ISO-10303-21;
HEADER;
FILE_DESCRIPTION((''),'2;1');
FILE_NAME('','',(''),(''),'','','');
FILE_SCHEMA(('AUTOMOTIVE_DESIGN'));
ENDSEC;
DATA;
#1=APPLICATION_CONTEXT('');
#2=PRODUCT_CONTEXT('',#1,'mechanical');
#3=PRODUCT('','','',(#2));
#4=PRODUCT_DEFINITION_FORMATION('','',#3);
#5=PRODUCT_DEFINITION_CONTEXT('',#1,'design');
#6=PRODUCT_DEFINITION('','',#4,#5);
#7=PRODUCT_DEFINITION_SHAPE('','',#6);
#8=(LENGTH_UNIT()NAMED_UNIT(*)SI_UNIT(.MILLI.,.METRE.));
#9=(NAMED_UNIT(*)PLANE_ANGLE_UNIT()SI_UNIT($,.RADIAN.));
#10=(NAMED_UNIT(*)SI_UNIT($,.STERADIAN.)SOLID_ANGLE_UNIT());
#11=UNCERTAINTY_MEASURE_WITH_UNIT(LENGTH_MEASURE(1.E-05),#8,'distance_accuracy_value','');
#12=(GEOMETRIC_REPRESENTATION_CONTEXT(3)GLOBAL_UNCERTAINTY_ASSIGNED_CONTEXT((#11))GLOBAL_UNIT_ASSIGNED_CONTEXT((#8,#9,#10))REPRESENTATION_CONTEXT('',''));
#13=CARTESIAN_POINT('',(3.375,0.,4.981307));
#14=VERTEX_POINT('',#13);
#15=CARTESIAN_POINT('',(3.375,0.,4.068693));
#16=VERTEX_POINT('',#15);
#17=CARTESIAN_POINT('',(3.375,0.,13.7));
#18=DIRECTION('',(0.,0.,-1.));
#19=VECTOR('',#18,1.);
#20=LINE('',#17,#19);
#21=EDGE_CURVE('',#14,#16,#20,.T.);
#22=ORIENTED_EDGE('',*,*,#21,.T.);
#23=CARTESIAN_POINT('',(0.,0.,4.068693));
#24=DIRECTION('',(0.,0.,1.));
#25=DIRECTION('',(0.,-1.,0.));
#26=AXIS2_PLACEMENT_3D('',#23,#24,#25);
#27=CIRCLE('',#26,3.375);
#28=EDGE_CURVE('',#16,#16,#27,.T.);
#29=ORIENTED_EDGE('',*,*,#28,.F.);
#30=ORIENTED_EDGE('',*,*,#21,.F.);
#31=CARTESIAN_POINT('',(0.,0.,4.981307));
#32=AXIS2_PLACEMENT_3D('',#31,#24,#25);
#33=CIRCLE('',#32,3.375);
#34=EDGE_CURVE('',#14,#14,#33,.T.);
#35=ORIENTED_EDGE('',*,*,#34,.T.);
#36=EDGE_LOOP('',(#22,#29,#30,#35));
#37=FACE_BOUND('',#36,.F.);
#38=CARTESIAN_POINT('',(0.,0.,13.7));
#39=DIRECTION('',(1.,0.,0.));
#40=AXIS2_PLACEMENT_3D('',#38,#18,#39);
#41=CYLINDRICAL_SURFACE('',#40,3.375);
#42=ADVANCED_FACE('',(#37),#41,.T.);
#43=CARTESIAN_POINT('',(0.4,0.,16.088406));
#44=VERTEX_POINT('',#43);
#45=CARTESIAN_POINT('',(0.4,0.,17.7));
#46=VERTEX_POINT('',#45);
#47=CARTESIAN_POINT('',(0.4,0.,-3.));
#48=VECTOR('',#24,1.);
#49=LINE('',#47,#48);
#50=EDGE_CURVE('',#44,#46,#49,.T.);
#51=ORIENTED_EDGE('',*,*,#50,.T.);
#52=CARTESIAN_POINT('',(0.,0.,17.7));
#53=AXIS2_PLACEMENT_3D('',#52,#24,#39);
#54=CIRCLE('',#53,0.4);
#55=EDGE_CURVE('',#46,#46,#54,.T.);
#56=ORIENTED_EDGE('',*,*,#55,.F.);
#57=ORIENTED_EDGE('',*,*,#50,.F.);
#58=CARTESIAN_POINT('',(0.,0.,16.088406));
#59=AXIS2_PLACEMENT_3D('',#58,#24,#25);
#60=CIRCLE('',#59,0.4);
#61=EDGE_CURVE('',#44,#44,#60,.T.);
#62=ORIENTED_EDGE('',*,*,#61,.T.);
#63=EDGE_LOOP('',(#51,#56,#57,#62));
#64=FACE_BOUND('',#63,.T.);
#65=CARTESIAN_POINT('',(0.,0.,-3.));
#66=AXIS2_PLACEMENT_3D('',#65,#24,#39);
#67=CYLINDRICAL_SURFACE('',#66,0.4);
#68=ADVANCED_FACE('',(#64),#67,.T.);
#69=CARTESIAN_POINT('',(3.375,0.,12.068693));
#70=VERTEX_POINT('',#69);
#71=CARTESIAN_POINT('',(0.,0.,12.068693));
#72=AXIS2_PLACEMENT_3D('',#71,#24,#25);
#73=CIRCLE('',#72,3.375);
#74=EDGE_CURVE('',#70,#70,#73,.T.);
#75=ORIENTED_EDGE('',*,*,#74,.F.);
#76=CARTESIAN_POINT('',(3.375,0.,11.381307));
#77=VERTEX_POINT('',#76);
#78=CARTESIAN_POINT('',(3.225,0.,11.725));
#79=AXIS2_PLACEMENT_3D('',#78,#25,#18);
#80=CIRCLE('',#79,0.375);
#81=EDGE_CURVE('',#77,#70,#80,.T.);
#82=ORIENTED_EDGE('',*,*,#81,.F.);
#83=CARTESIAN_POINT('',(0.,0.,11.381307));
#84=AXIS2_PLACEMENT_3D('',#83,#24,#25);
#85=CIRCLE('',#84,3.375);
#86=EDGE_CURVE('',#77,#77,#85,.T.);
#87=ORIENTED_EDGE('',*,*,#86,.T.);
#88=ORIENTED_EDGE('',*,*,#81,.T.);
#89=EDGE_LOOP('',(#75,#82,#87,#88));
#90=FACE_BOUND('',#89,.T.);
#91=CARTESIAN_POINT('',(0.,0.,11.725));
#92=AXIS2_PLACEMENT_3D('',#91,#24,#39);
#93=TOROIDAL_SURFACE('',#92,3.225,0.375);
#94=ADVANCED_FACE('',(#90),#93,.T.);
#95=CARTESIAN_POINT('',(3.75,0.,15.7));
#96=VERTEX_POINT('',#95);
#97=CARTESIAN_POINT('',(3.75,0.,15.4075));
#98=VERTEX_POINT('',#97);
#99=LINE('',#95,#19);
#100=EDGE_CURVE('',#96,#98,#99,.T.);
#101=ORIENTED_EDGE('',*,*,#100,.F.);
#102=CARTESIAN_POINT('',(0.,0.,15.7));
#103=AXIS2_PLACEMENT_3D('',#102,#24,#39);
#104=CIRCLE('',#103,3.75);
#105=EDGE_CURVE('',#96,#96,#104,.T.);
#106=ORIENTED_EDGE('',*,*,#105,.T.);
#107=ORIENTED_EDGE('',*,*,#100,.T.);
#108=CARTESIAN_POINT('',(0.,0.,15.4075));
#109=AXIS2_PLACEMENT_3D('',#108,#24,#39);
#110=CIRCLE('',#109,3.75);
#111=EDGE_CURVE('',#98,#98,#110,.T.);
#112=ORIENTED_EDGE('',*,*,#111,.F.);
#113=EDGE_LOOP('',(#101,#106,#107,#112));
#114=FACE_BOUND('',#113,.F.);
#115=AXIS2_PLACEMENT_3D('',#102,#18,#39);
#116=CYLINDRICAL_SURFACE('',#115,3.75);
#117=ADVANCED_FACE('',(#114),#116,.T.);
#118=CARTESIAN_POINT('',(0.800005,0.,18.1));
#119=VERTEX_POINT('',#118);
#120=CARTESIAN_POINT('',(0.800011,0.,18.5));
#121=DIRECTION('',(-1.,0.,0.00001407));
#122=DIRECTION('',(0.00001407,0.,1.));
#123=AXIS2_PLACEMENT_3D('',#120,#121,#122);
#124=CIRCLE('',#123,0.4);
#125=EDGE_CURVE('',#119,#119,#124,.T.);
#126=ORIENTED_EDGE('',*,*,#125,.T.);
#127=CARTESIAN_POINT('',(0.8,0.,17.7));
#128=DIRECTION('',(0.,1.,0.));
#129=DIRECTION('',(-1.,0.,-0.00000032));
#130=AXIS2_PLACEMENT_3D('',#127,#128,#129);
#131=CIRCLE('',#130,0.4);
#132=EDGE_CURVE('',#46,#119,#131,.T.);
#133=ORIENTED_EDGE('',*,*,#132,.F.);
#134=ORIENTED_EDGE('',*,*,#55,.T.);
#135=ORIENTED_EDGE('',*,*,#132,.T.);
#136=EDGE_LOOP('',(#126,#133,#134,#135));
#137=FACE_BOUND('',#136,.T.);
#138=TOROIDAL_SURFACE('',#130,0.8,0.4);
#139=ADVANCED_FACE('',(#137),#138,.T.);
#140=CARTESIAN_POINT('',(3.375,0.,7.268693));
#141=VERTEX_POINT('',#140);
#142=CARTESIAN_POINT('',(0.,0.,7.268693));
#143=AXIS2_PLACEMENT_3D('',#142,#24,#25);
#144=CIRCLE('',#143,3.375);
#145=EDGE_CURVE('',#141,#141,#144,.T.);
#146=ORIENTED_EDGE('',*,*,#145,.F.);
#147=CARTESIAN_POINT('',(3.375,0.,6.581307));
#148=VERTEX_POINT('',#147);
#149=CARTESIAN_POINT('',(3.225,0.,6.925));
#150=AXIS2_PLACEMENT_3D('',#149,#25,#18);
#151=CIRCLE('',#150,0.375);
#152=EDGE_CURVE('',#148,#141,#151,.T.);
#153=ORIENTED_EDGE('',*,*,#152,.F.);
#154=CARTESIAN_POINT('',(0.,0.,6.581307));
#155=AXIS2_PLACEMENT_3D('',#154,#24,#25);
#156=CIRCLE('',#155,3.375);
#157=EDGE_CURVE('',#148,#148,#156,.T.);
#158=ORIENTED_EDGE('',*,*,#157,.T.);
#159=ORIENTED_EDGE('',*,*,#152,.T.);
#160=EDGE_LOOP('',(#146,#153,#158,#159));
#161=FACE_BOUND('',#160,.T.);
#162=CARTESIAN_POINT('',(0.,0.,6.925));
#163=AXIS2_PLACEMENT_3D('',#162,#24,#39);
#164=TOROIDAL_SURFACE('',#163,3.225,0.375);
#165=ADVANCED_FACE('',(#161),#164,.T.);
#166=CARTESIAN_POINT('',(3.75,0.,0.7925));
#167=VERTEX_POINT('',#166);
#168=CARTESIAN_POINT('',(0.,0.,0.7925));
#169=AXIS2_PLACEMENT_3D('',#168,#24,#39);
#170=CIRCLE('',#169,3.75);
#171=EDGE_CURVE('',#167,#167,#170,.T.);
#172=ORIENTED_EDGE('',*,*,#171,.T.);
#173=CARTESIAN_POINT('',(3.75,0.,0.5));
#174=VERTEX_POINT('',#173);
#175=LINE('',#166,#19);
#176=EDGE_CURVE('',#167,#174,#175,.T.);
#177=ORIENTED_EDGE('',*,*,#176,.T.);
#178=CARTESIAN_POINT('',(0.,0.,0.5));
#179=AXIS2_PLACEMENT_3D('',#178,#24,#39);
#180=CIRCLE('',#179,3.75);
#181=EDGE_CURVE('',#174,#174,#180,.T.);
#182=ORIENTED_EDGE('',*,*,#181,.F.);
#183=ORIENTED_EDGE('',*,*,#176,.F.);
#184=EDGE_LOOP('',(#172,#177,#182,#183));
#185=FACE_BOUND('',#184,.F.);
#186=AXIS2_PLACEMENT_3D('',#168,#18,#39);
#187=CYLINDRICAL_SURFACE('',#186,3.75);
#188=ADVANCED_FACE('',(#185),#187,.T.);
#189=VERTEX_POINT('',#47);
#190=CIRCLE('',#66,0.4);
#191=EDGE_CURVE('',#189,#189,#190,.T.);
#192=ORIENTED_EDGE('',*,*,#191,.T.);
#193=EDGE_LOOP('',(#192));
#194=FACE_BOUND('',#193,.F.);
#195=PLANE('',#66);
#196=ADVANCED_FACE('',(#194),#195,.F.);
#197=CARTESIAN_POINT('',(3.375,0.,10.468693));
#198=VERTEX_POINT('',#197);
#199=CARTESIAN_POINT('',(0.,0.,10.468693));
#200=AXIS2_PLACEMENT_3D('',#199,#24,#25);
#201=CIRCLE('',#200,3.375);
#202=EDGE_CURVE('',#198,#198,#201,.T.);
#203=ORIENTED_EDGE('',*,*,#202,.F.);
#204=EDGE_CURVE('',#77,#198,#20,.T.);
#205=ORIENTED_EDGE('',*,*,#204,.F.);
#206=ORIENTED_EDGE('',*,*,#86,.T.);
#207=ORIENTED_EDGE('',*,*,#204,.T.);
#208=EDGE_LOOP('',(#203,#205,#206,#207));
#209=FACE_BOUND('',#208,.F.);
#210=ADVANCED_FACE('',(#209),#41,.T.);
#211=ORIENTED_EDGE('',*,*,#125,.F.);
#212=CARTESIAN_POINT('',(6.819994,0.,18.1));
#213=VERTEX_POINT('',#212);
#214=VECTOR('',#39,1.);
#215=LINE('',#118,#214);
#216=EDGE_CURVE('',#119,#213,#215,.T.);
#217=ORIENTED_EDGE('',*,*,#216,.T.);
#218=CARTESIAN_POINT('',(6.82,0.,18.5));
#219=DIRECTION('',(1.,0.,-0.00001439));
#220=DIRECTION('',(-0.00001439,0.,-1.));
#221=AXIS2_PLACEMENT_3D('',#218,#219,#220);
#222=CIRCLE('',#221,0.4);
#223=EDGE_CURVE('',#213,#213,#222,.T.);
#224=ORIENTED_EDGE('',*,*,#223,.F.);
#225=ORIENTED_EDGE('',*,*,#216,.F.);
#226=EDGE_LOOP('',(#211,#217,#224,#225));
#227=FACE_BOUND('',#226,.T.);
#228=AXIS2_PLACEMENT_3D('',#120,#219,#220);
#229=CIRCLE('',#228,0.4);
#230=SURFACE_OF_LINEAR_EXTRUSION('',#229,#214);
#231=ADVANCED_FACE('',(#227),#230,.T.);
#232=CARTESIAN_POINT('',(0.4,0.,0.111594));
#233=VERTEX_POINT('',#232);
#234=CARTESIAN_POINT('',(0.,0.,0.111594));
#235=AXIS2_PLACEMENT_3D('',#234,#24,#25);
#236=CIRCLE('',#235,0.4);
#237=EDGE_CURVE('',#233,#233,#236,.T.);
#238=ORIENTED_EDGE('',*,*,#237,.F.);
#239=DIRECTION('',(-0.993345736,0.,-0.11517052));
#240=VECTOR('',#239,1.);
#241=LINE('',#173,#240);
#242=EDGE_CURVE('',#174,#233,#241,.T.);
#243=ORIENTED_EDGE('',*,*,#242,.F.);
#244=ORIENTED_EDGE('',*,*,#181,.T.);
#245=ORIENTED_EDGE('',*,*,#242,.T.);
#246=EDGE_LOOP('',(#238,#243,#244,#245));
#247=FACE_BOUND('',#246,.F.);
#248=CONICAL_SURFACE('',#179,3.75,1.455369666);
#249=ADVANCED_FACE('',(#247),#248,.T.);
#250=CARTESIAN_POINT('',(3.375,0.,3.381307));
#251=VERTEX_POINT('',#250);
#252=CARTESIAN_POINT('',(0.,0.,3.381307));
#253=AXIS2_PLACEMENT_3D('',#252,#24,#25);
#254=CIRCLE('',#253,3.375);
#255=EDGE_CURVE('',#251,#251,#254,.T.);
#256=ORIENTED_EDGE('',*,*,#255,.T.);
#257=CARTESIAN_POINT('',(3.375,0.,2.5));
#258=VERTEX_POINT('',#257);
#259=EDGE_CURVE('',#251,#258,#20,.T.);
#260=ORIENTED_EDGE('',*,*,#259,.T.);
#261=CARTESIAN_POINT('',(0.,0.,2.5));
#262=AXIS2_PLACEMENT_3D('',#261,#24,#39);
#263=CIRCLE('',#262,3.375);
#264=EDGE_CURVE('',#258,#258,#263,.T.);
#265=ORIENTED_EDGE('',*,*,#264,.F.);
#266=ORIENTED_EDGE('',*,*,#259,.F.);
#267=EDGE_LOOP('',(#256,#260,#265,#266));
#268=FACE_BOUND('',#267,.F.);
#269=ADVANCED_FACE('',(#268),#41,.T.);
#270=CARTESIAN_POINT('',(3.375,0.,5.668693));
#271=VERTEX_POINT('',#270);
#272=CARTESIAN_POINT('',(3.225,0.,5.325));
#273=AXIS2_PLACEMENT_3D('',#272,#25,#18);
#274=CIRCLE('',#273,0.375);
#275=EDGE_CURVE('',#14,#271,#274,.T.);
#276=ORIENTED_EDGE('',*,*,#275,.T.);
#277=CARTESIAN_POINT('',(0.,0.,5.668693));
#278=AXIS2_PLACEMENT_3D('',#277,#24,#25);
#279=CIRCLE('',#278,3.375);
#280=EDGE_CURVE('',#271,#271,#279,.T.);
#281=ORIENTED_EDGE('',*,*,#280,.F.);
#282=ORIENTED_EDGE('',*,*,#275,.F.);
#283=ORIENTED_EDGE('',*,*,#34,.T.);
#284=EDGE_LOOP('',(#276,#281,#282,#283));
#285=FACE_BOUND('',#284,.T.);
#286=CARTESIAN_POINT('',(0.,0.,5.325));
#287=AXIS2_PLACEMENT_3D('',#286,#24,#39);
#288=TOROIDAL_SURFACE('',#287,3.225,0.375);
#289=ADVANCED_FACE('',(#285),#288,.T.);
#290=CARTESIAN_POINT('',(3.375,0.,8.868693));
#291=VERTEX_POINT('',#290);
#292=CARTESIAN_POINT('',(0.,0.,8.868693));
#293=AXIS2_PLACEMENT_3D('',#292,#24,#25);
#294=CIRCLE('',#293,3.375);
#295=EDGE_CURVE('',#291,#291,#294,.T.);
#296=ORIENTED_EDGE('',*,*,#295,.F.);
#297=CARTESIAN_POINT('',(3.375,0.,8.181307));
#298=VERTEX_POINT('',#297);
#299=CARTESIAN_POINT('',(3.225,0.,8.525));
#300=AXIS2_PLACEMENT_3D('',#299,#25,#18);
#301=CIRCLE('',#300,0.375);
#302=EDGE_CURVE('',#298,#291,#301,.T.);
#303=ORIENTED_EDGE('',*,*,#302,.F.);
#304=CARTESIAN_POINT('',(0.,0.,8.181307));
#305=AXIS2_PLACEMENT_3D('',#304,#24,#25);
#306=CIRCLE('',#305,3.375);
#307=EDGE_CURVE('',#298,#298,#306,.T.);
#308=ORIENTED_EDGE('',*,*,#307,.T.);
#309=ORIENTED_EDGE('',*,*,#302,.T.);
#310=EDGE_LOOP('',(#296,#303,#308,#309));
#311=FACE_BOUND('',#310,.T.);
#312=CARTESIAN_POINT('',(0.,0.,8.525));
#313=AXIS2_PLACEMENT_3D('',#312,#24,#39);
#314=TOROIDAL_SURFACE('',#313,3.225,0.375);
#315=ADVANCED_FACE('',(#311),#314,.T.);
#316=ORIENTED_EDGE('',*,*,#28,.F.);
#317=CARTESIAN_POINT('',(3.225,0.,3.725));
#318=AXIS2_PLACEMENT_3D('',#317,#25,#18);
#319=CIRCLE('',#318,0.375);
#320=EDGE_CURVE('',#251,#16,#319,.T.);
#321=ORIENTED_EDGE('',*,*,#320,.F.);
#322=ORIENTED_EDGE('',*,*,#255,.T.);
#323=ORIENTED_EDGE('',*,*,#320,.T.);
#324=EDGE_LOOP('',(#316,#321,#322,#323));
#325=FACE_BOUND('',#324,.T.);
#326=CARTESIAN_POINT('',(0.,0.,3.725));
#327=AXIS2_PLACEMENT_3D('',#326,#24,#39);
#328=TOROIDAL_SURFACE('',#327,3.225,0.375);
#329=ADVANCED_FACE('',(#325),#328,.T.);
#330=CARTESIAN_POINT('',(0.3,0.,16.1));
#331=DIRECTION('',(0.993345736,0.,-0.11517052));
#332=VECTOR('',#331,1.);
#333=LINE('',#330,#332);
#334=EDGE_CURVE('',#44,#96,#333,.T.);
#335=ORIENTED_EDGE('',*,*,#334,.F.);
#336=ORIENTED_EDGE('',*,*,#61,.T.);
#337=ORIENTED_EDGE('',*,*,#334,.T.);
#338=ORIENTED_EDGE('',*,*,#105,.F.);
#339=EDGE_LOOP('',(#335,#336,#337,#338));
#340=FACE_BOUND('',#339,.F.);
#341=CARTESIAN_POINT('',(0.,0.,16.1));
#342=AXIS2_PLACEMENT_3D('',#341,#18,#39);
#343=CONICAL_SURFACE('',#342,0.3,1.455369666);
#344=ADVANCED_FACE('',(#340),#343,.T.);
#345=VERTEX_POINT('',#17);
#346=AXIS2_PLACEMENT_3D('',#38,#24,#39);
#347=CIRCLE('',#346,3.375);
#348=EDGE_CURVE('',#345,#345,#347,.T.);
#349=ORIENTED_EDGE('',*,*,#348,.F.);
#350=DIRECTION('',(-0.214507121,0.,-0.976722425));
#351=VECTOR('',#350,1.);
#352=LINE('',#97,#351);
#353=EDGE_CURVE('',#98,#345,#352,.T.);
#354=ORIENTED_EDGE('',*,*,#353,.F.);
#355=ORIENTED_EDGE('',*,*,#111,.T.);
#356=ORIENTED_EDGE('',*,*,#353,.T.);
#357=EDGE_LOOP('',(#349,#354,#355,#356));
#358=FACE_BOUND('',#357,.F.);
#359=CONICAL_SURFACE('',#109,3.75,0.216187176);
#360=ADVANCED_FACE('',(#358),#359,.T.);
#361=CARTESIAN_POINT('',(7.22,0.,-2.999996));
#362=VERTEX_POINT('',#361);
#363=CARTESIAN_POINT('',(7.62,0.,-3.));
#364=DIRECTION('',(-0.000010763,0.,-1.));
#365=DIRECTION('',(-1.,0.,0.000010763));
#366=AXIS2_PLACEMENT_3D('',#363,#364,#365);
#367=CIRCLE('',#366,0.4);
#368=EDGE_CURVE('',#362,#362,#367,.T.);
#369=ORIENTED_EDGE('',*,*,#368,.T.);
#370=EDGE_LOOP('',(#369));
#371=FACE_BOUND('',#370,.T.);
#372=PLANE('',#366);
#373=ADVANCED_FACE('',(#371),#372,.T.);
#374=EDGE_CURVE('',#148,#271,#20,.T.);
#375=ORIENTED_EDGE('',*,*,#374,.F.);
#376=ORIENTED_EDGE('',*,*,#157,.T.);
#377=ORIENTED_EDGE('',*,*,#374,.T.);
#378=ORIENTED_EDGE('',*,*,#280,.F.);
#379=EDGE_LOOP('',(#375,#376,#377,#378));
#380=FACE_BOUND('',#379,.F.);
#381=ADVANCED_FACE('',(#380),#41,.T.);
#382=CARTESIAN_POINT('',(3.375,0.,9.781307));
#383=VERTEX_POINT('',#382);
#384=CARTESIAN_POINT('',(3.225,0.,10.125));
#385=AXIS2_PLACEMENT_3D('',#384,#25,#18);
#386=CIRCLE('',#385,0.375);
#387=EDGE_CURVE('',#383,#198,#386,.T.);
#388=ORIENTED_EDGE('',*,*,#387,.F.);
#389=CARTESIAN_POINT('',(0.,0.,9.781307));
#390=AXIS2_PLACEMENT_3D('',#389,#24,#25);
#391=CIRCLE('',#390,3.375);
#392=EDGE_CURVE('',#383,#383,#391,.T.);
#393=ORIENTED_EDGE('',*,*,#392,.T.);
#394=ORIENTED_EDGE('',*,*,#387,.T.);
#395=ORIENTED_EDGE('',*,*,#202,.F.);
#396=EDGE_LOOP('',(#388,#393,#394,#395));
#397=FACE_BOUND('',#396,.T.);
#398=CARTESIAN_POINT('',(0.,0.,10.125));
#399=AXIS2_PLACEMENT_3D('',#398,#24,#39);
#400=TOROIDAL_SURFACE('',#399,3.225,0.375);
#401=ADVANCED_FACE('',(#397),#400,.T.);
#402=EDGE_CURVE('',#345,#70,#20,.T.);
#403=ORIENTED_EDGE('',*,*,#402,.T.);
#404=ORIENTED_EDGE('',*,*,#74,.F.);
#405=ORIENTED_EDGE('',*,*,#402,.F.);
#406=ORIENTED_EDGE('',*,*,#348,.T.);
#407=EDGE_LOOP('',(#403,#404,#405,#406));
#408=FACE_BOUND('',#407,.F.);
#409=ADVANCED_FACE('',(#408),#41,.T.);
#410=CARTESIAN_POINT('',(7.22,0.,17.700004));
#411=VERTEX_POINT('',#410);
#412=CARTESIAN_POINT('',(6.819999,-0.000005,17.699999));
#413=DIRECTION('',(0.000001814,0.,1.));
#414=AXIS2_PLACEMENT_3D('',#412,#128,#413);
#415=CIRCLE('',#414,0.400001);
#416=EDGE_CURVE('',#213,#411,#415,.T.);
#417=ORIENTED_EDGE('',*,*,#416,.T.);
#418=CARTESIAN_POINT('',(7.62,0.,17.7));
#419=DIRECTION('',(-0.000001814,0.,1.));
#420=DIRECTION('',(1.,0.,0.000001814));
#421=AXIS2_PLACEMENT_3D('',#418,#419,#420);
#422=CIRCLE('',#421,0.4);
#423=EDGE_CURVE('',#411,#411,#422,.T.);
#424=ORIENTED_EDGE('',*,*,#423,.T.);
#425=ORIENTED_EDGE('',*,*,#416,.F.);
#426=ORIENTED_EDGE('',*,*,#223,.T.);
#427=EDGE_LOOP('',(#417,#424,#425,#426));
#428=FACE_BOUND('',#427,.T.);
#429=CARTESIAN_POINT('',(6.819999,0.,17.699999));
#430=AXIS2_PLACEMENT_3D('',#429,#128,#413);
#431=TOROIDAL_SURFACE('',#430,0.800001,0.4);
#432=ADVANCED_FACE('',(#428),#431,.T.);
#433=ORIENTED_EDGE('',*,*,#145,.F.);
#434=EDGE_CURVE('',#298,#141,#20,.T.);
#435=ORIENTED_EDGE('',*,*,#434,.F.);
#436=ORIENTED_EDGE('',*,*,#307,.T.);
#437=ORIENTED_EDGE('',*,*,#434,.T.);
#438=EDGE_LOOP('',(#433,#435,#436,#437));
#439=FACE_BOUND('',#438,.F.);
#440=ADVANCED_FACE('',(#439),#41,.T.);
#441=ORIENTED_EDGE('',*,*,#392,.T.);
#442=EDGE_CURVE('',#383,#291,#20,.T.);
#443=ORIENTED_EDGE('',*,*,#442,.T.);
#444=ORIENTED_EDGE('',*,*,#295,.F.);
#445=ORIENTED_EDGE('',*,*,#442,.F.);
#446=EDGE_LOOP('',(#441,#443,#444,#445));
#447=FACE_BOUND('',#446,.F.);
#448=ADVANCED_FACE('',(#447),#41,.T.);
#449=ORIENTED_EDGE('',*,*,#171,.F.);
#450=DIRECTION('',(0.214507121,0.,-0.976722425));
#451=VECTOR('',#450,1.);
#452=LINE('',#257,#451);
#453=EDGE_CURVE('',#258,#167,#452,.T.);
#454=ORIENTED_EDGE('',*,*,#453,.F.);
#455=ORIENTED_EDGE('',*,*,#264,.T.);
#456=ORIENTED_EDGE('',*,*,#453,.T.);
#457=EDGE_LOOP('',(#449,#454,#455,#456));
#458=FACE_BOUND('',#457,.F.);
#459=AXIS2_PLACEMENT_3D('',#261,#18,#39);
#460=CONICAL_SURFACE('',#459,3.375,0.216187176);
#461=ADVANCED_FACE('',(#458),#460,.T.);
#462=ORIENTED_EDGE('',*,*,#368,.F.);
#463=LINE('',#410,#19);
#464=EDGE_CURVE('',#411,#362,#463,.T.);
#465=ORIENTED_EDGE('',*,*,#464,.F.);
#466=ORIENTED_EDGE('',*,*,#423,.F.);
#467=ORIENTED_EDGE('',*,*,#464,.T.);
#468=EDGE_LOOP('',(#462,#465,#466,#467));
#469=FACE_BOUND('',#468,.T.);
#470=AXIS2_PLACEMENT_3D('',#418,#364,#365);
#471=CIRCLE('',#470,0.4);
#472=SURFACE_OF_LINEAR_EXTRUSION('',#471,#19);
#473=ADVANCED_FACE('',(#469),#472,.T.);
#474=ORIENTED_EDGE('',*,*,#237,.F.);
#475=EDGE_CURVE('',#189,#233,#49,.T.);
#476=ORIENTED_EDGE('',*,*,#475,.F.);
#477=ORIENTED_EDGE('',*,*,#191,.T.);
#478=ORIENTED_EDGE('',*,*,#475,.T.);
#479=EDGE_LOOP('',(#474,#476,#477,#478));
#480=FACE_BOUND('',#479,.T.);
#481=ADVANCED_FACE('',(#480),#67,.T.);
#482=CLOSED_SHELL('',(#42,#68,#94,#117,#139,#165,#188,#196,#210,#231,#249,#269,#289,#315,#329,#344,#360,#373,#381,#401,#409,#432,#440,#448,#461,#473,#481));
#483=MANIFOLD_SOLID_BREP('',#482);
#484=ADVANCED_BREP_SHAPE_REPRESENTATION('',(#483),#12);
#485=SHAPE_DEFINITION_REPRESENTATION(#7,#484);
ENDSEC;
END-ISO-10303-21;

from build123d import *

# Parameters (mm, degrees)
SKETCH_R = 0.4


with BuildPart() as revolution:
    # Sketch002 → Revolution (revolve)
    with BuildSketch(Plane.XZ):
        Polygon((0, 0.1), (0, 16.1), (0.3, 16.1), (3.75, 15.7), (3.75, 15.4075), (3.375, 13.7), (3.375, 2.5), (3.75, 0.7925), (3.75, 0.5), (0.3, 0.1), align=None)
    revolve(axis=Axis((0, 0, 0), (0, 0, 1)))


with BuildPart() as sweep_body:
    # Sweep: sweep along a path in Sketch001
    with BuildLine(Plane.XZ) as sweep_path:
        Line((0, -3), (0, 17.7))
        ThreePointArc((0, 17.7), (0.234318, 18.265689), (0.800011, 18.5))
        Line((0.800011, 18.5), (6.82, 18.5))
        ThreePointArc((6.82, 18.5), (7.385685, 18.265685), (7.62, 17.7))
        Line((7.62, 17.7), (7.62, -3))
    # Sketch → Sweep (sweep)
    with BuildSketch(Plane.XY.offset(-2)):
        Circle(SKETCH_R)
    sweep(path=sweep_path.line)


with BuildPart() as revolution001_mp_cp:
    # Sketch003 → Revolution001 (revolve)
    with BuildSketch(Plane.XZ):
        with BuildLine():
            Line((3, 12.95), (3, 2.5))
            Line((3, 2.5), (3.225, 2.5))
            Line((3.225, 2.5), (3.225, 3.35))
            ThreePointArc((3.225, 3.35), (3.6, 3.725), (3.225, 4.1))
            Line((3.225, 4.1), (3.225, 4.95))
            ThreePointArc((3.225, 4.95), (3.6, 5.325), (3.225, 5.7))
            Line((3.225, 5.7), (3.225, 6.55))
            ThreePointArc((3.225, 6.55), (3.6, 6.925), (3.225, 7.3))
            Line((3.225, 7.3), (3.225, 8.15))
            ThreePointArc((3.225, 8.15), (3.6, 8.525), (3.225, 8.9))
            Line((3.225, 8.9), (3.225, 9.75))
            ThreePointArc((3.225, 9.75), (3.6, 10.125), (3.225, 10.5))
            Line((3.225, 10.5), (3.225, 11.35))
            ThreePointArc((3.225, 11.35), (3.6, 11.725), (3.225, 12.1))
            Line((3.225, 12.95), (3.225, 12.1))
            Line((3, 12.95), (3.225, 12.95))
        make_face()
    revolve(axis=Axis((0, 0, 0), (0, 0, 1)))

    # Revolution001_mp_cp: union Revolution, Sweep body
    add(revolution.part)
    add(sweep_body.part)


solid = revolution001_mp_cp.part
